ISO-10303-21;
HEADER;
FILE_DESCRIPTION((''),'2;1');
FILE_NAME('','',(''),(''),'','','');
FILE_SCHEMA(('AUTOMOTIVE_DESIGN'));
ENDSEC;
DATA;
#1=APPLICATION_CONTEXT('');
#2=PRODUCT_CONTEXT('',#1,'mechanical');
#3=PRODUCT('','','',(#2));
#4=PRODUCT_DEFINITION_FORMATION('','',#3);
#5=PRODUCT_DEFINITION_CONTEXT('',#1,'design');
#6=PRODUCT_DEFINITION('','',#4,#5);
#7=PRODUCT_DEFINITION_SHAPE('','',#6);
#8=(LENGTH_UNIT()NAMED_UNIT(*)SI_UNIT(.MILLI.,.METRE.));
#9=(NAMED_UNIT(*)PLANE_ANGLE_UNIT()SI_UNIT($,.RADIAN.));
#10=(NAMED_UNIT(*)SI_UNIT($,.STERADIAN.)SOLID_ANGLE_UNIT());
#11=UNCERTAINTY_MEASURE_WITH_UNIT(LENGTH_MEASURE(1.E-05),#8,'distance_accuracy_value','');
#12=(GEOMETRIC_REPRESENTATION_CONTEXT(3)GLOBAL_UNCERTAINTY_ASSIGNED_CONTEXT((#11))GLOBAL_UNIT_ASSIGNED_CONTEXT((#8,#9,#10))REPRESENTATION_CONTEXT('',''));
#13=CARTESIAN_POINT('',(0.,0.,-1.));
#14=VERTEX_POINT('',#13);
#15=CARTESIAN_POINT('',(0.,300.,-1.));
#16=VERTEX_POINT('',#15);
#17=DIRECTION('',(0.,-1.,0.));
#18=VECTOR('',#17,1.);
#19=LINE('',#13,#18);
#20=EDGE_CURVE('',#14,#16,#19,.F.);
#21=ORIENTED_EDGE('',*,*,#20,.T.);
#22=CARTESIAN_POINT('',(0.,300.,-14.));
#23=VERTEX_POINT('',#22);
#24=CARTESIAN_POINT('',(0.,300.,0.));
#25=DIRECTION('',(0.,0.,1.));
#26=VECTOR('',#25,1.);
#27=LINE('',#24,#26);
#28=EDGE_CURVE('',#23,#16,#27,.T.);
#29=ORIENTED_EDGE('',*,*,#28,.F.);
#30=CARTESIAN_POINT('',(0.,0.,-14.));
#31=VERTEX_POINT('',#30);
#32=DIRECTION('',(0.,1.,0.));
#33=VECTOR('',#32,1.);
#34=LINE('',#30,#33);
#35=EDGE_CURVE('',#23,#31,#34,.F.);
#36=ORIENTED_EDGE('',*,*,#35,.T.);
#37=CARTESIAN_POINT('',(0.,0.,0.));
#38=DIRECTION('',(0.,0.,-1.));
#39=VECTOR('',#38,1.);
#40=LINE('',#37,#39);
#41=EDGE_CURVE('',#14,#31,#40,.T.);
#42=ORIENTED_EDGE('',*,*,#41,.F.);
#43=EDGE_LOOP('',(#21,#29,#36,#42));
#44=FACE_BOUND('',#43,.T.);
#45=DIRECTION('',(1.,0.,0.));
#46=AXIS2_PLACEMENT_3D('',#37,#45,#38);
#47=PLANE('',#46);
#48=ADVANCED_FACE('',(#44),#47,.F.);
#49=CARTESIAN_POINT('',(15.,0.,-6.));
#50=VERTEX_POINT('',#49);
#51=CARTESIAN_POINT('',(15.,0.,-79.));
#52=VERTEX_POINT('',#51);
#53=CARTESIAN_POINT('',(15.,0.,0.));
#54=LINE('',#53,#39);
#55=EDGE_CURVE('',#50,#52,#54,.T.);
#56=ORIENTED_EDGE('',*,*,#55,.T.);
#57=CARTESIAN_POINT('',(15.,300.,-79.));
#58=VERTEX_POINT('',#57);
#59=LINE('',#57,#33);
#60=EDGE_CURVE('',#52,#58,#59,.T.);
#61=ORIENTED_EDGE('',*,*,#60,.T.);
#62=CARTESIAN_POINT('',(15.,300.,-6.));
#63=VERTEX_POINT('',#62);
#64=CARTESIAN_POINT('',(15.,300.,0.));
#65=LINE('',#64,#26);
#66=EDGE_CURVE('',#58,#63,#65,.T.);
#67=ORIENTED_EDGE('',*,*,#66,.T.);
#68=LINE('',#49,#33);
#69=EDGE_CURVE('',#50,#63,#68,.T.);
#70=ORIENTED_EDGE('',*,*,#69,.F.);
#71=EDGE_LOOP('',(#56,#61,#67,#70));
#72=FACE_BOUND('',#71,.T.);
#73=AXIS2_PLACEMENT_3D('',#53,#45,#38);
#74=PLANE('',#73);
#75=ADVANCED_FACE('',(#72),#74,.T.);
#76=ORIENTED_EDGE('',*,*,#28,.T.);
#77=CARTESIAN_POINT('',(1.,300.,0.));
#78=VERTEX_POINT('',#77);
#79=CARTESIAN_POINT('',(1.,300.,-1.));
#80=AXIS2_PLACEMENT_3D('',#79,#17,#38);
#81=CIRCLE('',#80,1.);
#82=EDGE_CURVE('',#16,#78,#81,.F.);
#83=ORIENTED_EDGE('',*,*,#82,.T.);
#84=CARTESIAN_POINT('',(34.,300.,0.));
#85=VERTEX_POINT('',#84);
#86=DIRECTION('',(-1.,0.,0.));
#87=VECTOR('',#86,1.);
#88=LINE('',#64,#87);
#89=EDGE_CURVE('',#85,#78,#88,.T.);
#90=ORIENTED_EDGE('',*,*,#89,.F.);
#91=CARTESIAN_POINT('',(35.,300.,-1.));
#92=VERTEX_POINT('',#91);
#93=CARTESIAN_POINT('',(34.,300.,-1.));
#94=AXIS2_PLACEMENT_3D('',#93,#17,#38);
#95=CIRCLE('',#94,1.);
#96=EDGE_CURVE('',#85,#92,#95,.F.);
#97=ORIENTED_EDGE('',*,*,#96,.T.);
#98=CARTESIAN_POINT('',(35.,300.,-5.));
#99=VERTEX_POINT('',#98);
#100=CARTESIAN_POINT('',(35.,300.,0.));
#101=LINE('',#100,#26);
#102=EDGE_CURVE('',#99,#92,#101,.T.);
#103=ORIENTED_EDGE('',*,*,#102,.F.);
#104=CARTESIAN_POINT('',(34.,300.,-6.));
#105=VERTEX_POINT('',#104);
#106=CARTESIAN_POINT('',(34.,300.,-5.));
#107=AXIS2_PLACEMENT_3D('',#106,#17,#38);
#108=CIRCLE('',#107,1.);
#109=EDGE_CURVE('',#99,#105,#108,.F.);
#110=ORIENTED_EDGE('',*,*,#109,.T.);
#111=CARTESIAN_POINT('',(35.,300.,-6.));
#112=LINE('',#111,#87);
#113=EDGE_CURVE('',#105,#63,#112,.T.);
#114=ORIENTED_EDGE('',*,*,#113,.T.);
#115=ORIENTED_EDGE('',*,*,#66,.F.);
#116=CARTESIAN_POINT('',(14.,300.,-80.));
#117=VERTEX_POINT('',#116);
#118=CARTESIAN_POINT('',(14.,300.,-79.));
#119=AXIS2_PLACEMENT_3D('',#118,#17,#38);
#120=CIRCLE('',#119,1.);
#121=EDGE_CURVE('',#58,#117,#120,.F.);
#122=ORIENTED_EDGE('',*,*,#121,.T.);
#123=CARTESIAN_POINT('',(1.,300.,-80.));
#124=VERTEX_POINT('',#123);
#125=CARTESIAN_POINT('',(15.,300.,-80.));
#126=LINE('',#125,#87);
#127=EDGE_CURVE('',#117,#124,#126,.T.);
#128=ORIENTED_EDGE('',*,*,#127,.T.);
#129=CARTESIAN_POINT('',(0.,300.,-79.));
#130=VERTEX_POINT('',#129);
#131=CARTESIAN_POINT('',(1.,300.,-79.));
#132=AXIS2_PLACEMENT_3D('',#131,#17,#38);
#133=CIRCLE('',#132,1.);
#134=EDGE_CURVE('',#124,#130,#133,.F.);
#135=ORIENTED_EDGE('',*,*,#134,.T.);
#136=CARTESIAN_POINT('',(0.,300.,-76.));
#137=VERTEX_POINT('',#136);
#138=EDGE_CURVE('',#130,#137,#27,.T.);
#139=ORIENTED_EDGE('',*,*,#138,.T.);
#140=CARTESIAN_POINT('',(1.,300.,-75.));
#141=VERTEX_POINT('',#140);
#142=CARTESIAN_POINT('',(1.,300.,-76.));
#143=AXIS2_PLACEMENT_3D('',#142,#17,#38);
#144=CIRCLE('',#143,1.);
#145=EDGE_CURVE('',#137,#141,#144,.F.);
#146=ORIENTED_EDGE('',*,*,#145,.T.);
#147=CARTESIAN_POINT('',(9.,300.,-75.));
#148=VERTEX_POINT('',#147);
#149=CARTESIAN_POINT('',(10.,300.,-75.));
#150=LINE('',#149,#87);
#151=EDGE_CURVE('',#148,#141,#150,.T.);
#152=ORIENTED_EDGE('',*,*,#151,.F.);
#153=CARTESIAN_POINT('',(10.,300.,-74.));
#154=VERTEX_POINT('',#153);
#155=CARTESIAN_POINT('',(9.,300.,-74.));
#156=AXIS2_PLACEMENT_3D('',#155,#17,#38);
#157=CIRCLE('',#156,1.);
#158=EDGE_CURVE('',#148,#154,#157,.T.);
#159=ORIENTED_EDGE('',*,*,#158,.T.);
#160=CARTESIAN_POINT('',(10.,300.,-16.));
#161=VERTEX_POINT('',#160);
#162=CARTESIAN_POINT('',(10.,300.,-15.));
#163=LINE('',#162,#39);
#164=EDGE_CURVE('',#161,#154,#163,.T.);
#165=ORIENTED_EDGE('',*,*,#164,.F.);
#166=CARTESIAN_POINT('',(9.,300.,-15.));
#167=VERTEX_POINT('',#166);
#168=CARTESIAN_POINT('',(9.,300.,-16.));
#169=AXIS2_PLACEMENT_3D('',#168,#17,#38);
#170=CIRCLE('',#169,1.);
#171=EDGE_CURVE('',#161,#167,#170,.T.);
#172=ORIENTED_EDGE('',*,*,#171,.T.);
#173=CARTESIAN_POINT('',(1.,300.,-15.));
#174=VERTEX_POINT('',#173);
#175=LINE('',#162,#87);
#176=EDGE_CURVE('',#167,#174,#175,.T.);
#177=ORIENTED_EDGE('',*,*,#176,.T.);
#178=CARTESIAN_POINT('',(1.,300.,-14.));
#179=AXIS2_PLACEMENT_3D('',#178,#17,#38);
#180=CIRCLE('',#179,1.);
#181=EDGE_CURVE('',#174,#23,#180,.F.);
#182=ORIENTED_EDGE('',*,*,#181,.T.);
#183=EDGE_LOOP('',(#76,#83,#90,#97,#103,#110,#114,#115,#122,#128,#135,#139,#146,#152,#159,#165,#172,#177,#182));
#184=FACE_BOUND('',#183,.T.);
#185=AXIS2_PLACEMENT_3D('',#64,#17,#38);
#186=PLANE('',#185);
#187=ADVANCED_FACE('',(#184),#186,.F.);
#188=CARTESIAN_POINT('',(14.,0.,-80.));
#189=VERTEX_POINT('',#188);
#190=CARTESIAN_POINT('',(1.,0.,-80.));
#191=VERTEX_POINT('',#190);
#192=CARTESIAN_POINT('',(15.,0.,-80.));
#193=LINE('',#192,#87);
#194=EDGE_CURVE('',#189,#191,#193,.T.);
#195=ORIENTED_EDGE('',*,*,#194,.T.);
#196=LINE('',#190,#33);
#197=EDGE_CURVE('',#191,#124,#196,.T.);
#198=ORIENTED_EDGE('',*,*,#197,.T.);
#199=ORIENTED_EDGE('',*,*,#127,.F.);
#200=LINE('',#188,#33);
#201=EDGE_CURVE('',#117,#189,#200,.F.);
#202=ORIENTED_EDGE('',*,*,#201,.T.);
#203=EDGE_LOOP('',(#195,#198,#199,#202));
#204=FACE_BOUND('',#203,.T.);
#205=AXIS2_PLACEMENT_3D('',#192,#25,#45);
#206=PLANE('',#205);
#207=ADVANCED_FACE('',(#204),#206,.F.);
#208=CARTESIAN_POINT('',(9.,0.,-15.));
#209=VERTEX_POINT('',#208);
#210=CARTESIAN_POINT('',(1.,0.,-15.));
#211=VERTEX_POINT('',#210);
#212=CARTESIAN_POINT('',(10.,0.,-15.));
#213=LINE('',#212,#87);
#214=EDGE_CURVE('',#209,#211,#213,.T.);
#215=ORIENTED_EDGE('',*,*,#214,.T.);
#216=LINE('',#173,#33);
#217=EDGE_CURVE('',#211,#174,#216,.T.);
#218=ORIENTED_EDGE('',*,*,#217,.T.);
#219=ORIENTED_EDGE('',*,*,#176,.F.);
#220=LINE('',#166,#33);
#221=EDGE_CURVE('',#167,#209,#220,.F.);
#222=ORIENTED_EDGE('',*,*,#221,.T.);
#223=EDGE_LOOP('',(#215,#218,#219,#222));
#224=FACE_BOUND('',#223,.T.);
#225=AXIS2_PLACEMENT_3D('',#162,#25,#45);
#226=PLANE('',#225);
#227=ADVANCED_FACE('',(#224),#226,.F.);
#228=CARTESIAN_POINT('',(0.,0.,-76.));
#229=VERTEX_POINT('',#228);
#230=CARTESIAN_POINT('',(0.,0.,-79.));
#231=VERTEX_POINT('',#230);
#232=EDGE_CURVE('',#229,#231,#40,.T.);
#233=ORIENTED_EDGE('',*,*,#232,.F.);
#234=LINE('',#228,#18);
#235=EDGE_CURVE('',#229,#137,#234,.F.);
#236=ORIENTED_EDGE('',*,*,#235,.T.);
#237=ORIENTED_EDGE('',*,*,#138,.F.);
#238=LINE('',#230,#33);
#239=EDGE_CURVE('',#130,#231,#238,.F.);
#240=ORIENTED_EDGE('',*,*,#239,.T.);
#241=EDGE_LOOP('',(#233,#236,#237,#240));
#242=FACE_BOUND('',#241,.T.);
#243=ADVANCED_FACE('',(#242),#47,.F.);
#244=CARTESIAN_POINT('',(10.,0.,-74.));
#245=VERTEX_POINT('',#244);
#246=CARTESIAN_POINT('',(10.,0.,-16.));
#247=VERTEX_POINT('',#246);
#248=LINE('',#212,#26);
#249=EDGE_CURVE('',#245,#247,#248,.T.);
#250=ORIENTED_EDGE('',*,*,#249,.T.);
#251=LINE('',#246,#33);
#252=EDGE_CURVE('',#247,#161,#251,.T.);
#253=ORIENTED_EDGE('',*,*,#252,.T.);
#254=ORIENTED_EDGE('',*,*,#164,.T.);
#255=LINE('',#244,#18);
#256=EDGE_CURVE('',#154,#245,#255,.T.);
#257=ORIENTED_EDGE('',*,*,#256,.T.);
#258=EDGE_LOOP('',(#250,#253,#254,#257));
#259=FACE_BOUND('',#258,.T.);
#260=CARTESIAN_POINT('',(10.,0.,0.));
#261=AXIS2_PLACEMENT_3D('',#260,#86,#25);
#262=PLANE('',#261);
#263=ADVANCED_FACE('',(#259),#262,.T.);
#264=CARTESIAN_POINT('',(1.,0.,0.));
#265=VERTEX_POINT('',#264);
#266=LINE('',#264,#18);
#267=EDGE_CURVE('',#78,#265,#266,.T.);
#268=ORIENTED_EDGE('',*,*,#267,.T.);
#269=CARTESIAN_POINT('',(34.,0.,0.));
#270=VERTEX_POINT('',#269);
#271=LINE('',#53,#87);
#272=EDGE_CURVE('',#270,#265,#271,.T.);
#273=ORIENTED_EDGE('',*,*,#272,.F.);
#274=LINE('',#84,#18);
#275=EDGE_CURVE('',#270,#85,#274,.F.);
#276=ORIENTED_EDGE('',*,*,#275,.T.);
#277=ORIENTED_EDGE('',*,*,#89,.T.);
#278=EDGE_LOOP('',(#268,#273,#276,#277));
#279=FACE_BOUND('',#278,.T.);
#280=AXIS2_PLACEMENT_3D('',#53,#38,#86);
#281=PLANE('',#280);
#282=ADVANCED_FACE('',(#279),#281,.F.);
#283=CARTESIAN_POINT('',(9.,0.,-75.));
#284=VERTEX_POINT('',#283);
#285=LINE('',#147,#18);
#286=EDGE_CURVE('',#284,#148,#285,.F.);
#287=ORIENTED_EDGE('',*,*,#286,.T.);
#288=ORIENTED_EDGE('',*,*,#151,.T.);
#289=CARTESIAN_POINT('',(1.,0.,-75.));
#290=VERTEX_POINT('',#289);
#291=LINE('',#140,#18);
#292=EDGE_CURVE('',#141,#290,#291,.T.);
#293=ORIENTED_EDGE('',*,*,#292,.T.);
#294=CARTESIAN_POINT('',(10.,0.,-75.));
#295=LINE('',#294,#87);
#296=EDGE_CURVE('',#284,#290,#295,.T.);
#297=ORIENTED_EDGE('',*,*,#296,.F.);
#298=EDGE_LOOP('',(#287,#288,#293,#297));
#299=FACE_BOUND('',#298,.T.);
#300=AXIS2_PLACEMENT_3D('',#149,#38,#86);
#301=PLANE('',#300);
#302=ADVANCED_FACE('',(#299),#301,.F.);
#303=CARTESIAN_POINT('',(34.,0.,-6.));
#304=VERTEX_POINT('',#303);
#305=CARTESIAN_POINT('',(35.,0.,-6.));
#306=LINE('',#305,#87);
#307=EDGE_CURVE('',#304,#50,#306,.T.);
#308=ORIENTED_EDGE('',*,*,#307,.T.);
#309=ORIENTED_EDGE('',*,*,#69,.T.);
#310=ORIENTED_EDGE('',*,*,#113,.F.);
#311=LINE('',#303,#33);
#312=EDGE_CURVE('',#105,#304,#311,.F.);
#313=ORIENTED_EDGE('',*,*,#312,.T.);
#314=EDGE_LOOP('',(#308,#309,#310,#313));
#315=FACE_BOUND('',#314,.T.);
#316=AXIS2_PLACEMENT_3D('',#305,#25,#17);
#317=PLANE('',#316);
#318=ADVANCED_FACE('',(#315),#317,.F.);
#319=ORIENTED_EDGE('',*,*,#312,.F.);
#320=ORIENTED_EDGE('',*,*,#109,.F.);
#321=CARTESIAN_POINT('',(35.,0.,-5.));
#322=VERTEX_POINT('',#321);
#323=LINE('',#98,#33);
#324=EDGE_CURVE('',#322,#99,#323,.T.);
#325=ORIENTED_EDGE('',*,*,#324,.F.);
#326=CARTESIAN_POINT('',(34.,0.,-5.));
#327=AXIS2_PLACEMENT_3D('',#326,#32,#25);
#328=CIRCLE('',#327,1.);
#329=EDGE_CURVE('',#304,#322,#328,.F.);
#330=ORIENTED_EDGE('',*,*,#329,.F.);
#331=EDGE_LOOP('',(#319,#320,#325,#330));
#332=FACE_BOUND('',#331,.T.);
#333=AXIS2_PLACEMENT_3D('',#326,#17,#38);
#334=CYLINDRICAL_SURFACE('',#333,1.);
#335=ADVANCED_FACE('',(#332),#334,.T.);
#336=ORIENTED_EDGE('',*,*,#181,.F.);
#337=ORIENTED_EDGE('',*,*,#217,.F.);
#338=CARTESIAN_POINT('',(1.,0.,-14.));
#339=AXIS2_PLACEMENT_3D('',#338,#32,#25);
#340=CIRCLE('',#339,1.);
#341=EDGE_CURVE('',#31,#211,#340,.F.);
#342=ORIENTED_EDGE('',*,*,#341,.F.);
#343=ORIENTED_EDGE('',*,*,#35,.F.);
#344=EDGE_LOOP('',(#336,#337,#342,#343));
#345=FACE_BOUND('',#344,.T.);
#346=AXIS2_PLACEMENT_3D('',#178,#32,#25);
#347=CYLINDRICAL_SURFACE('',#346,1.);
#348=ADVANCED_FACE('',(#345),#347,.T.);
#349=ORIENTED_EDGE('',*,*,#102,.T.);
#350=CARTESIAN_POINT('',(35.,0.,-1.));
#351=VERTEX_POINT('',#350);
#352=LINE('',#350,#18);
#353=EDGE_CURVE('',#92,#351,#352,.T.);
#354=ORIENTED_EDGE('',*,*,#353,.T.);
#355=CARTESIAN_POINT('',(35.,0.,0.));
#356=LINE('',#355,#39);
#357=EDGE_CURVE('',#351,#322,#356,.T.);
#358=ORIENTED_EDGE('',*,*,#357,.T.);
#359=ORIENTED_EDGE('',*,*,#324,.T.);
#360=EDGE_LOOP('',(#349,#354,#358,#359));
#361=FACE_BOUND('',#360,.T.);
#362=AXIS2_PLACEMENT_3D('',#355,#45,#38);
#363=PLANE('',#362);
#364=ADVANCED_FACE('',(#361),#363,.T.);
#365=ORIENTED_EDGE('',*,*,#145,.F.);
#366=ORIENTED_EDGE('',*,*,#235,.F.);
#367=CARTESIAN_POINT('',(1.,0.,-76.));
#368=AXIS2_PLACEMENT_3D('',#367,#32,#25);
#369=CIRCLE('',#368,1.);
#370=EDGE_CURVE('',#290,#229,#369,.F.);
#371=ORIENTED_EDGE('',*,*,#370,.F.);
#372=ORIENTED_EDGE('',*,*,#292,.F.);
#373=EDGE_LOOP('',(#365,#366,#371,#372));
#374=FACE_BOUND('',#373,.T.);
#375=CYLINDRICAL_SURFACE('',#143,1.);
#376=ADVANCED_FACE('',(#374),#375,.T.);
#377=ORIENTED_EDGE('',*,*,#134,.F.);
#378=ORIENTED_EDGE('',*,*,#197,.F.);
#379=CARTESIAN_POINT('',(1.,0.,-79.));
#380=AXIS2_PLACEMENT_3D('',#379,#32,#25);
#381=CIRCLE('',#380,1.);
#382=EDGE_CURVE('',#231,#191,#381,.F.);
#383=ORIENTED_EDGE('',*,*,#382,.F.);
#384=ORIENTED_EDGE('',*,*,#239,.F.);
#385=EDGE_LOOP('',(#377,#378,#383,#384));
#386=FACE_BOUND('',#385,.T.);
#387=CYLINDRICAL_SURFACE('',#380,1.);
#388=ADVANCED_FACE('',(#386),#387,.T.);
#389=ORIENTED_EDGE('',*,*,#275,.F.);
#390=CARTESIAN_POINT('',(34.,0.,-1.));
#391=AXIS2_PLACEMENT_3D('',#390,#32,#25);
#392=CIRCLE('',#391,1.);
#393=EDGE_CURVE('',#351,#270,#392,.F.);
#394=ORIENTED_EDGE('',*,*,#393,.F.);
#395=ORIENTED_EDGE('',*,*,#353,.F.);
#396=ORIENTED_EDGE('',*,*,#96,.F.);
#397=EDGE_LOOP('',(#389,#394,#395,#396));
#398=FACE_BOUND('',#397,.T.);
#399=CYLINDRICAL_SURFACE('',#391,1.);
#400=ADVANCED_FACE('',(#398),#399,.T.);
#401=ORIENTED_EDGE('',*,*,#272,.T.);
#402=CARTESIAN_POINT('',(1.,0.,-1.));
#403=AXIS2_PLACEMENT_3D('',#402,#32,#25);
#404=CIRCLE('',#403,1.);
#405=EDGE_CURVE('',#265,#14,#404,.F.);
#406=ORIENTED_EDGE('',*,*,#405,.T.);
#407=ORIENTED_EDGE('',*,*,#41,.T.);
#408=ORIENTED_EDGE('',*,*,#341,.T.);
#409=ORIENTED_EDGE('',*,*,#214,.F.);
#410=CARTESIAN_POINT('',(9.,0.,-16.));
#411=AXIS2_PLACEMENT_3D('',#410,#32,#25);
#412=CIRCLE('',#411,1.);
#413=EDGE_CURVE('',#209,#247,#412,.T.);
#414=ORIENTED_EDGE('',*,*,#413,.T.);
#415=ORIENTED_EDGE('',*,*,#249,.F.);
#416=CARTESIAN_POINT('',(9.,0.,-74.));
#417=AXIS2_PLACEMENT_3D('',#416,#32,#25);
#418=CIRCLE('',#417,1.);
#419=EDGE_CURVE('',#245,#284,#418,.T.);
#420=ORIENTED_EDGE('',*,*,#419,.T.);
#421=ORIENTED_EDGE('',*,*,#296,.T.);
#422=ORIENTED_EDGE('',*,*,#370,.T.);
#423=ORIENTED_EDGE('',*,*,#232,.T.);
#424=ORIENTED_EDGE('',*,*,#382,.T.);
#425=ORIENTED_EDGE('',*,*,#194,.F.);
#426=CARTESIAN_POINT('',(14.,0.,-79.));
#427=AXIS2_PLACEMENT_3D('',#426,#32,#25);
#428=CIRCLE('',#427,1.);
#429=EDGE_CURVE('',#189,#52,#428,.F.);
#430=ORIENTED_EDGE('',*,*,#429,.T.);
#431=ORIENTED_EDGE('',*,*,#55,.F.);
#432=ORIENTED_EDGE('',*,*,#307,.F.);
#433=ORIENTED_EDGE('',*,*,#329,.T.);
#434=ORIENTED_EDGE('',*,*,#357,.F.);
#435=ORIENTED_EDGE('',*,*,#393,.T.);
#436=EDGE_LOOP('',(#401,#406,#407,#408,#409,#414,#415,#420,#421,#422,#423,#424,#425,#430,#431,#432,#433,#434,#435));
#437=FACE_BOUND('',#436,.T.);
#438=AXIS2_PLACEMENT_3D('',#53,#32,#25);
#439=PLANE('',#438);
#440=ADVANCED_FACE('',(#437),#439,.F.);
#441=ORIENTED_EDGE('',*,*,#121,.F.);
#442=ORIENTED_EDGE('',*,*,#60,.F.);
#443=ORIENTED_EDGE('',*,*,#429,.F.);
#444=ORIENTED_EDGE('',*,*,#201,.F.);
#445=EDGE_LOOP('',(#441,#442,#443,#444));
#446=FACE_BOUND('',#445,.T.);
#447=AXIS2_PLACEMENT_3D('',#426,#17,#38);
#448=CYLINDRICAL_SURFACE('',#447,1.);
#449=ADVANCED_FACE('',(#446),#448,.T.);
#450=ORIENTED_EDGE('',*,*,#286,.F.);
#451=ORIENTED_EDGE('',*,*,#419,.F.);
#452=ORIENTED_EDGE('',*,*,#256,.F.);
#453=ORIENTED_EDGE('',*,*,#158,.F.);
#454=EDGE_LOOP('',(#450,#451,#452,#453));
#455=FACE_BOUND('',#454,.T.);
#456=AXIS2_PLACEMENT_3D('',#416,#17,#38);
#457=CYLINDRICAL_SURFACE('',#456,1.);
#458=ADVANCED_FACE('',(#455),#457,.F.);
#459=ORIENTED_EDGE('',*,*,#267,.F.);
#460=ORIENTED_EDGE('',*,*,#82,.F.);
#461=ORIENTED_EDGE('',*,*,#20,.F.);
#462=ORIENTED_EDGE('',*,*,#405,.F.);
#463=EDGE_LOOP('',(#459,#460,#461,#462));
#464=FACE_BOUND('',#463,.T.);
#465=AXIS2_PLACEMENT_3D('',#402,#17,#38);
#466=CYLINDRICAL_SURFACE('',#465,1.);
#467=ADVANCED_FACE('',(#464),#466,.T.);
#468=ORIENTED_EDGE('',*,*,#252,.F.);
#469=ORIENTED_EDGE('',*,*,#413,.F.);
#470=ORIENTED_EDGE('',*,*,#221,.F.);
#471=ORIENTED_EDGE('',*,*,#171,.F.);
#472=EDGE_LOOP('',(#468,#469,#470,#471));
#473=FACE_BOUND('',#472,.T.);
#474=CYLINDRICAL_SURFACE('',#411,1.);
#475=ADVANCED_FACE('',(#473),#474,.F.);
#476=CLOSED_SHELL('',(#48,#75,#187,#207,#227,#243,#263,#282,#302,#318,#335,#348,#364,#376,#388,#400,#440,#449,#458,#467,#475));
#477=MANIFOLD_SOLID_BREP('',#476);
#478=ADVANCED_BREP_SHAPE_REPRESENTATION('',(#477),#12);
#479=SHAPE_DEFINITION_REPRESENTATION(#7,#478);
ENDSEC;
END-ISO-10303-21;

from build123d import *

# Parameters (mm, degrees)
SKETCH1_W           = 300
SKETCH1_H           = 80
BOSS_EXTRUDE1_DEPTH = 15
SKETCH2_W           = 300
SKETCH2_H           = 6
BOSS_EXTRUDE2_DEPTH = 20
SKETCH3_W           = 300
SKETCH3_H           = 60
CUT_EXTRUDE1_DEPTH  = 10
FILLET1_R           = 1


with BuildPart() as part:
    # Sketch1 → Boss-Extrude1 (new body)
    with BuildSketch(Plane.YZ):
        with Locations((150, -40)):
            Rectangle(SKETCH1_W, SKETCH1_H)
    extrude(amount=BOSS_EXTRUDE1_DEPTH)

    # Sketch2 → Boss-Extrude2 (add)
    with BuildSketch(Plane.YZ.offset(15)):
        with Locations((150, -3)):
            Rectangle(SKETCH2_W, SKETCH2_H)
    extrude(amount=BOSS_EXTRUDE2_DEPTH)

    # Sketch3 → Cut-Extrude1 (cut)
    with BuildSketch(Plane(origin=(0, 0, 0), x_dir=(0, -1, 0), z_dir=(-1, 0, 0))):
        with Locations((-150, -45)):
            Rectangle(SKETCH3_W, SKETCH3_H)
    extrude(amount=-CUT_EXTRUDE1_DEPTH, mode=Mode.SUBTRACT)

    # Fillet1
    fillet1_edges = [part.edges().sort_by_distance(p)[0] for p in [
        (35, 150, -6),
        (35, 150, 0),
        (10, 150, -15),
        (10, 150, -75),
        (0, 150, -75),
        (0, 150, -15),
        (0, 150, 0),
        (0, 150, -80),
        (15, 150, -80),
    ]]
    fillet(fillet1_edges, radius=FILLET1_R)


solid = part.part
